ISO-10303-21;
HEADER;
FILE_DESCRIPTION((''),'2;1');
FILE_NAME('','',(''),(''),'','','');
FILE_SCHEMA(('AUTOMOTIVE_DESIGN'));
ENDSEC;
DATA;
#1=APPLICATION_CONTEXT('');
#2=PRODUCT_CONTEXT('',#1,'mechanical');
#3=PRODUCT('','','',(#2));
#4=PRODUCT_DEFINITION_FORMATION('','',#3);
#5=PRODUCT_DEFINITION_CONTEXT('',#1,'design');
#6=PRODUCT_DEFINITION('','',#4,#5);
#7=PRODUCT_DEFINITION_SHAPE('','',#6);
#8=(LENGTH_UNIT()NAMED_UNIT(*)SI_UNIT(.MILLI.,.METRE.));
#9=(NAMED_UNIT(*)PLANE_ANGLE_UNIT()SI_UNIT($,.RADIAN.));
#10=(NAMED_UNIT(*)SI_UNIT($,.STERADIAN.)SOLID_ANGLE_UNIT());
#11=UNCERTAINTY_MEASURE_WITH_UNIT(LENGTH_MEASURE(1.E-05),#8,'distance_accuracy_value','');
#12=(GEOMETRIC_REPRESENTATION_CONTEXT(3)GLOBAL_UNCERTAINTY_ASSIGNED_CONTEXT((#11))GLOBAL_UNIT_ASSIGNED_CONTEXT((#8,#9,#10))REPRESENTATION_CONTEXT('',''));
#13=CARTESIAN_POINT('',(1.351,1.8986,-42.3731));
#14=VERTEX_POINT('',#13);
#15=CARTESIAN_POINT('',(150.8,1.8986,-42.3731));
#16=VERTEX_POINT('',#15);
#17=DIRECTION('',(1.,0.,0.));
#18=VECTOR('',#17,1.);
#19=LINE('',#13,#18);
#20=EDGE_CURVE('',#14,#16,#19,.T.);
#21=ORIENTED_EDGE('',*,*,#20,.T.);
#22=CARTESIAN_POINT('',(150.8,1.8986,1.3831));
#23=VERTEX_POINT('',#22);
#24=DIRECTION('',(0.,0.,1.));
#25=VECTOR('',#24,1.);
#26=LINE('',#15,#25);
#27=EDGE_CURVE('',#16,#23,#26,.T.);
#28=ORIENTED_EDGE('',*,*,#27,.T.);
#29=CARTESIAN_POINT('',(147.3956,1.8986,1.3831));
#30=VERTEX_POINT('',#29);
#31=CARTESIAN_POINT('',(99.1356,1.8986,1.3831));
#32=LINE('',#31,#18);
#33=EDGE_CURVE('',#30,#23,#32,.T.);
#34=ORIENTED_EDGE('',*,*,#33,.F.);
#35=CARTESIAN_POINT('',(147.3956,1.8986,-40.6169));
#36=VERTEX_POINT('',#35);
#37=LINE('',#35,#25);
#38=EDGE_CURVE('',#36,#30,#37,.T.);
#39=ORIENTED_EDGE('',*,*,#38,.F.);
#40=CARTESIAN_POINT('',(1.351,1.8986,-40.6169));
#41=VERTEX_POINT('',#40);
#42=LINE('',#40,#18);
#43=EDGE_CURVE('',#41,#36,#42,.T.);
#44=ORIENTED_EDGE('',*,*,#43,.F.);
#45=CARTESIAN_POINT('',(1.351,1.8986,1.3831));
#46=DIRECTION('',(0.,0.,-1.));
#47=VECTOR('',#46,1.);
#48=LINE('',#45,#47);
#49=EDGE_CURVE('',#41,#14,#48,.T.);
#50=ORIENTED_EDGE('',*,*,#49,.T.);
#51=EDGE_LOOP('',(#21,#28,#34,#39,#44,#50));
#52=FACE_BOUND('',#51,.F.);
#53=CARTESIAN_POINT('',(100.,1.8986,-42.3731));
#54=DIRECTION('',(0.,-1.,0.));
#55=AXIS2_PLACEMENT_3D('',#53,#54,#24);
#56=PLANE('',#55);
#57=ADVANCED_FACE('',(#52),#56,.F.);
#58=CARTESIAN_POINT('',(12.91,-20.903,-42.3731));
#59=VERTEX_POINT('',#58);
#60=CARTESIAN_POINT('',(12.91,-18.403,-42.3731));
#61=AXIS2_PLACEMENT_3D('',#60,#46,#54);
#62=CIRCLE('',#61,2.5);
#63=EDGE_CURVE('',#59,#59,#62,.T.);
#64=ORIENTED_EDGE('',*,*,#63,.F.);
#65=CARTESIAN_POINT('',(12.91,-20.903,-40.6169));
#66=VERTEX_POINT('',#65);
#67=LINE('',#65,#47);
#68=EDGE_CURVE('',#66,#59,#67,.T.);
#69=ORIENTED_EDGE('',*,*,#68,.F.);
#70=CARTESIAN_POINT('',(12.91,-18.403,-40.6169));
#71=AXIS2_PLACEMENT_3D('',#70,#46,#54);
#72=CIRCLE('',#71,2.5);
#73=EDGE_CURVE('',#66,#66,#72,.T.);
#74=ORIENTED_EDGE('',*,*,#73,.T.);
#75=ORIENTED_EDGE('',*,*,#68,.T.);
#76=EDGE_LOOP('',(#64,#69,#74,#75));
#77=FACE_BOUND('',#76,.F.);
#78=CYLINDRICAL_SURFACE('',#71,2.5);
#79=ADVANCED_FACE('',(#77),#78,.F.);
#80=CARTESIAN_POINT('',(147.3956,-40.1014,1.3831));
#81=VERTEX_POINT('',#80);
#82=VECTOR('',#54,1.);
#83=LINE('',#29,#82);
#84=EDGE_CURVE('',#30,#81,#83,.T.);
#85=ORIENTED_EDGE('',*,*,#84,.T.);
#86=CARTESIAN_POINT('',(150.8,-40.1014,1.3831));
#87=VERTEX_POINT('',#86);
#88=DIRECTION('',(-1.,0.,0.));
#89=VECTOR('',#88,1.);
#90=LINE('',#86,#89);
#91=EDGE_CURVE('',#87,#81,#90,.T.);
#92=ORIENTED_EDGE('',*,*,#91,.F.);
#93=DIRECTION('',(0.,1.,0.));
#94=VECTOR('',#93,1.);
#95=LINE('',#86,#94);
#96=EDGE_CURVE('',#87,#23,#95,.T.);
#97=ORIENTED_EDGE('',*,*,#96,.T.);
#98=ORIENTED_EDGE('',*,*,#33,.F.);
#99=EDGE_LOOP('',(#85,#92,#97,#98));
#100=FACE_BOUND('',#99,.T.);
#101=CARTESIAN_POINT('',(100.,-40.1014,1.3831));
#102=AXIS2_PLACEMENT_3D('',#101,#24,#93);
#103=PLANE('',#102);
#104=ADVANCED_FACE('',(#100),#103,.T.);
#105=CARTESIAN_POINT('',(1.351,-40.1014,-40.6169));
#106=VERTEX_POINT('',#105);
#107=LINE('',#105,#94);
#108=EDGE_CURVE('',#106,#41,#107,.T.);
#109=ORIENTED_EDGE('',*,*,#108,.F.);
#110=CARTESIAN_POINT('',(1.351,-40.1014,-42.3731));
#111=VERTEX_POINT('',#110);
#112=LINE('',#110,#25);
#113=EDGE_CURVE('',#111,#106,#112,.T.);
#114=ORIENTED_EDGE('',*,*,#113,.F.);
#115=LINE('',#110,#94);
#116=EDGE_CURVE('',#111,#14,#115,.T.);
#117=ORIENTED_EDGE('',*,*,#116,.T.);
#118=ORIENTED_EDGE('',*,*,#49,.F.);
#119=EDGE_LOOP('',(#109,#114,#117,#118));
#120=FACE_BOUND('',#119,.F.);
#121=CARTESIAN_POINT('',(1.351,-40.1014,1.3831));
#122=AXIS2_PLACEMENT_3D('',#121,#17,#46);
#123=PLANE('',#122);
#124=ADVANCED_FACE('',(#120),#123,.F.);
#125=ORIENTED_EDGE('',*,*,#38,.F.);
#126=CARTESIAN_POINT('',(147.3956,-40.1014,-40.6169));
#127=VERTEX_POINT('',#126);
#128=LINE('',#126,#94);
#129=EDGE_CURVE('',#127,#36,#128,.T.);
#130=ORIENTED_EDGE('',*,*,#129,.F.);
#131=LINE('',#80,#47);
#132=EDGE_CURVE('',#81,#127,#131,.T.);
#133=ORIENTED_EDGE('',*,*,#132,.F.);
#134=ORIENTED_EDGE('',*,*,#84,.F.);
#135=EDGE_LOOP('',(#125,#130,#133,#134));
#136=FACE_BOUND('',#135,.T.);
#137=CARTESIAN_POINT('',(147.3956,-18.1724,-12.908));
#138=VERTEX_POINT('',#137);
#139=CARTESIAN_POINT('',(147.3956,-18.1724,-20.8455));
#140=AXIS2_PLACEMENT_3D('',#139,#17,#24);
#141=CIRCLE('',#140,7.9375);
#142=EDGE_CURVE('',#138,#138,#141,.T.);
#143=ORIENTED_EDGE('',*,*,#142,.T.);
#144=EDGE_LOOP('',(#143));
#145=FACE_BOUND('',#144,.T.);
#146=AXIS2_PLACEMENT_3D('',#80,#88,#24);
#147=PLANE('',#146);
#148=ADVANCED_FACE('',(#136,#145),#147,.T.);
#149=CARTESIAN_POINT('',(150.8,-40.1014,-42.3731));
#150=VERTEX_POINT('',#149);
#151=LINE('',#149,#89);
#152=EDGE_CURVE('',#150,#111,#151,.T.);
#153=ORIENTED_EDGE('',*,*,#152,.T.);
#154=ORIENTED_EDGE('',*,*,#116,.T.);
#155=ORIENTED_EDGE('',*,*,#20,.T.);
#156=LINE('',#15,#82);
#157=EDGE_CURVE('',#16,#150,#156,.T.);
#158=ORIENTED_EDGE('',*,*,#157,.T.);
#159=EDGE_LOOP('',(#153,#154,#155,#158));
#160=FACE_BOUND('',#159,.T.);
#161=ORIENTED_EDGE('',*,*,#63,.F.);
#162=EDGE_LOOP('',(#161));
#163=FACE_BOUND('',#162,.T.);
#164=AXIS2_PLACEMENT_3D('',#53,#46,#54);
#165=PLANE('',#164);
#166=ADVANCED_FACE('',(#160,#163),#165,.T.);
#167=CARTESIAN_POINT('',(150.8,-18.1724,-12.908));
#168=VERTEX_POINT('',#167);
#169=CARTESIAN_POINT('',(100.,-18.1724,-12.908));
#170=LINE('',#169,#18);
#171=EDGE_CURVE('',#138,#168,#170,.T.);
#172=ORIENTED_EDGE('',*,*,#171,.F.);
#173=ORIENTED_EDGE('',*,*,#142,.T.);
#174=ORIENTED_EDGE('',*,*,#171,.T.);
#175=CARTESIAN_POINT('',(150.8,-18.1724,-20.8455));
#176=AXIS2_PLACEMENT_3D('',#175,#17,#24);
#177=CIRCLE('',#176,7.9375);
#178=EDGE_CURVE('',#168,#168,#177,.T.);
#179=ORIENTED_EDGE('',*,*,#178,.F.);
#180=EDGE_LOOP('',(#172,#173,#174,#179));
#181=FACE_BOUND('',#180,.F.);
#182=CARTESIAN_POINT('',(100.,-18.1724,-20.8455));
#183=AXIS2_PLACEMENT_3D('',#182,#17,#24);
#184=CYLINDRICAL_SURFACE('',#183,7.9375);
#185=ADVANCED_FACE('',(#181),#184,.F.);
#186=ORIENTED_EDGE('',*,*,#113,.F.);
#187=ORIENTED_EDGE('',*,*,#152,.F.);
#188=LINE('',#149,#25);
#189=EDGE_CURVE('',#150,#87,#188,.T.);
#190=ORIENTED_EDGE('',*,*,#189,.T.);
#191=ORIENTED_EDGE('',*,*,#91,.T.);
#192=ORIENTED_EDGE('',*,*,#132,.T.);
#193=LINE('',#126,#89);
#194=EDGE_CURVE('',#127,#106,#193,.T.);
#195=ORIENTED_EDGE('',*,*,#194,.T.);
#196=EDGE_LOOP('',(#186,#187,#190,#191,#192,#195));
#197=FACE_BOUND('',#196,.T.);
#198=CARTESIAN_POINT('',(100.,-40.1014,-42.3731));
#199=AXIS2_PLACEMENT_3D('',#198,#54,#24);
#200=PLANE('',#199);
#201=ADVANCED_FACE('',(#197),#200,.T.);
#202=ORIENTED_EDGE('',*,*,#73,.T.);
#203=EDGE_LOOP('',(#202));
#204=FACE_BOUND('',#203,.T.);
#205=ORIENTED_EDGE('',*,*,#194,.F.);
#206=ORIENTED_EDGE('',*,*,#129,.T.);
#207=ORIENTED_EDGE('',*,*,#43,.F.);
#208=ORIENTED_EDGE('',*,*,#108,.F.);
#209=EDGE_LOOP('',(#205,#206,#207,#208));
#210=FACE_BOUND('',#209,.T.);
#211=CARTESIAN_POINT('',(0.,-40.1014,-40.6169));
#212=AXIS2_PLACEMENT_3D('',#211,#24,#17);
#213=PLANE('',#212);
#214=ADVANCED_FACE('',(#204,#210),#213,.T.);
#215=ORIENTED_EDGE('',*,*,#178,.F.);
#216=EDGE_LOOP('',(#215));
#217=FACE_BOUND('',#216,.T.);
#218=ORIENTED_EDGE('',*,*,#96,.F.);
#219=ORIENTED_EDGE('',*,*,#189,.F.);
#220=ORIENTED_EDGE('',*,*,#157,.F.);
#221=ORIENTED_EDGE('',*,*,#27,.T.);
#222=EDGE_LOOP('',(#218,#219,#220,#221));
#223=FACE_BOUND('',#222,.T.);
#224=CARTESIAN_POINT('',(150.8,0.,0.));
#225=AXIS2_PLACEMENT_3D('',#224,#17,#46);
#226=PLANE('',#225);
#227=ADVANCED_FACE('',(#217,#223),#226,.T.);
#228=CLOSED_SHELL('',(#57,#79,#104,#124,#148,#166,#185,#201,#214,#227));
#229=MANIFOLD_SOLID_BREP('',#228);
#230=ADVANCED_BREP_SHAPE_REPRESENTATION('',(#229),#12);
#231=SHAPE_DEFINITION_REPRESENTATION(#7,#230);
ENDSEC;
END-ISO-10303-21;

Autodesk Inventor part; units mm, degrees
ref_plane "YZ Plane" through (0, 0, 0) normal (1, 0, 0) x (0, 1, 0)
ref_plane "XZ Plane" through (0, 0, 0) normal (0, 1, 0) x (-1, 0, 0)
ref_plane "XY Plane" through (0, 0, 0) normal (0, 0, 1) x (1, 0, 0)
sketch "Sketch1" plane through (0, 0, 0) normal (1, 0, 0) x (0, 1, 0)
  line L0 (1.8986, 1.3831) -> (-40.1014, 1.3831)
  line L1 (-40.1014, 1.3831) -> (-40.1014, -42.3731)
  line L2 (-40.1014, -42.3731) -> (1.8986, -42.3731)
  line L3 (1.8986, -42.3731) -> (1.8986, 1.3831)
  point P0 (0, 0)
  dimension "d0" = 42
extrude "Extrusion1" add sketch "Sketch1" along normal blind 100
sketch "Sketch3" plane through (0, 0, 0) normal (-1, 0, 0) x (0, 0, 1)
  point P0 (0, 0)
sketch "Sketch8" plane through (0, 0, 0) normal (-1, 0, 0) x (0, 0, 1)
  point P0 (0, 0)
  point P1 (-20.6894, -17.7504)
hole "Hole4" at (0, -17.7504, -20.6894) direction (1, 0, 0) diameter 15.875 end through all
sketch "Sketch9" plane through (0, -40.1014, 1.3831) normal (0, 0, 1) x (1, 0, 0)
  line L0 (0, 42) -> (100, 42) projected
  line L1 (0, 0) -> (100, 0) projected
  line L2 (1.351, 42) -> (99.1356, 42)
  line L3 (99.1356, 42) -> (99.1356, 0)
  line L4 (99.1356, 0) -> (1.351, 0)
  line L5 (1.351, 0) -> (1.351, 42)
  point P0 (0, 40.1014)
  point P1 (1.351, 0)
extrude "Extrusion4" cut sketch "Sketch9" against normal blind 42
sketch "Sketch10" plane through (1.351, -40.1014, 1.3831) normal (1, 0, 0) x (0, 0, -1)
  line L0 (0, 42) -> (42, 42) projected
  line L1 (43.7562, 0) -> (43.7562, 42) projected
  line L2 (0, 42) -> (43.7562, 42)
  line L3 (43.7562, 42) -> (43.7562, 0)
  line L4 (43.7562, 0) -> (0, 0)
  line L5 (0, 0) -> (0, 42)
  point P0 (1.3831, 40.1014)
extrude "Extrusion5" cut sketch "Sketch10" against normal blind 25.4
sketch "Sketch11" plane through (0, -40.1014, -40.6169) normal (0, 0, 1) x (1, 0, 0)
  point P0 (0, 40.1014)
  point P1 (12.91, 21.6985)
hole "Hole5" at (12.91, -18.403, -40.6169) direction (0, 0, -1) diameter 5 end through all
sketch "Sketch12" plane through (100, 0, 0) normal (1, 0, 0) x (0, 0, -1)
  line L0 (42.3731, 1.8986) -> (-1.3831, 1.8986) projected
  line L1 (-1.3831, 1.8986) -> (42.3731, 1.8986)
  line L2 (42.3731, 1.8986) -> (42.3731, -40.1014)
  line L3 (42.3731, -40.1014) -> (-1.3831, -40.1014)
  line L4 (-1.3831, -40.1014) -> (-1.3831, 1.8986)
  point P0 (0, 0)
extrude "Extrusion6" add sketch "Sketch12" along normal blind 50.8
sketch "Sketch13" plane through (99.1356, -40.1014, 1.3831) normal (-1, 0, 0) x (0, 0, 1)
  line L0 (-42, 42) -> (0, 42) projected
  line L1 (0, 42) -> (0, 0) projected
  line L2 (-42, 42) -> (0, 42)
  line L3 (0, 42) -> (0, 0)
  line L4 (0, 0) -> (-42, 0)
  line L5 (-42, 0) -> (-42, 42)
  point P0 (-1.3831, 40.1014)
sketch "Sketch14" plane through (100, -17.7504, -20.6894) normal (-1, 0, 0) x (0, 0, 1)
  point P0 (20.6894, 17.7504)
  point P1 (-0.1562, -0.422)
hole "Hole6" at (100, -18.1724, -20.8455) direction (1, 0, 0) diameter 15.875 end through all
extrude "Extrusion7" cut sketch "Sketch13" against normal blind 48.26
sketch "Sketch15" plane through (0, -40.1014, -40.6169) normal (0, 0, 1) x (1, 0, 0)
  point P0 (0, 40.1014)
properties part number "clamp 2 pipe"
